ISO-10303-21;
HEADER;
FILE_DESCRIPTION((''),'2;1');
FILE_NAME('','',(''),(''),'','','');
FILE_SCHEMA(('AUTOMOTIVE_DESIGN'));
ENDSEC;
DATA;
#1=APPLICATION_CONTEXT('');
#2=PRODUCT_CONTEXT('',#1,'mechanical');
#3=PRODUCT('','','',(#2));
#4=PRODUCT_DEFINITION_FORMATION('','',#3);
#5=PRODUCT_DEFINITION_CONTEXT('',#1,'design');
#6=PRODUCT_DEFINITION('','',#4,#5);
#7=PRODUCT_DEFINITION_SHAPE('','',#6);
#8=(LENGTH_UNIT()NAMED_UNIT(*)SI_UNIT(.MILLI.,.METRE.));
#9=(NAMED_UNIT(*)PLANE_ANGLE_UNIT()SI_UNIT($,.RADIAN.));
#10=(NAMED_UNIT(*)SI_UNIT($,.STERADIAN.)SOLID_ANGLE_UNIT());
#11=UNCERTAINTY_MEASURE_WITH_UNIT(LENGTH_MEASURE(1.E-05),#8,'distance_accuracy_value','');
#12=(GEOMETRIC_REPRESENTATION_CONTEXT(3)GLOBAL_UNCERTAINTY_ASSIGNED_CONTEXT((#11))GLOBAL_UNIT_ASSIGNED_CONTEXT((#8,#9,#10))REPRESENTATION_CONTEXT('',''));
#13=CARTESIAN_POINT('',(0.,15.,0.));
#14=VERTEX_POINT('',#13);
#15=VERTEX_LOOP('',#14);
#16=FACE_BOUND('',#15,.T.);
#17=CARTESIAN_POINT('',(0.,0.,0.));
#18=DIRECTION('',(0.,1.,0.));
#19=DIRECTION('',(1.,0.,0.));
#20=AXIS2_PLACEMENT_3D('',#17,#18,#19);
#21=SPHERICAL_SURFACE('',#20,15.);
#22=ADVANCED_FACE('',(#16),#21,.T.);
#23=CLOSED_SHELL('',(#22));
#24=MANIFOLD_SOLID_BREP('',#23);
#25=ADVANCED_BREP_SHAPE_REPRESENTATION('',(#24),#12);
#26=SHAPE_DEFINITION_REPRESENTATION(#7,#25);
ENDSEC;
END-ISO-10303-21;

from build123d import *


with BuildPart() as part:
    # Croquis1 one side → Revolución2 (revolve)
    with BuildSketch(Plane.XY):
        with BuildLine():
            ThreePointArc((0, -15), (10.606601718, -10.606601718), (15, 0))
            ThreePointArc((15, 0), (10.606601718, 10.606601718), (0, 15))
            Line((0, 15), (0, -15))
        make_face()
    revolve(axis=Axis((0, 15, 0), (0, -1, 0)))


solid = part.part
